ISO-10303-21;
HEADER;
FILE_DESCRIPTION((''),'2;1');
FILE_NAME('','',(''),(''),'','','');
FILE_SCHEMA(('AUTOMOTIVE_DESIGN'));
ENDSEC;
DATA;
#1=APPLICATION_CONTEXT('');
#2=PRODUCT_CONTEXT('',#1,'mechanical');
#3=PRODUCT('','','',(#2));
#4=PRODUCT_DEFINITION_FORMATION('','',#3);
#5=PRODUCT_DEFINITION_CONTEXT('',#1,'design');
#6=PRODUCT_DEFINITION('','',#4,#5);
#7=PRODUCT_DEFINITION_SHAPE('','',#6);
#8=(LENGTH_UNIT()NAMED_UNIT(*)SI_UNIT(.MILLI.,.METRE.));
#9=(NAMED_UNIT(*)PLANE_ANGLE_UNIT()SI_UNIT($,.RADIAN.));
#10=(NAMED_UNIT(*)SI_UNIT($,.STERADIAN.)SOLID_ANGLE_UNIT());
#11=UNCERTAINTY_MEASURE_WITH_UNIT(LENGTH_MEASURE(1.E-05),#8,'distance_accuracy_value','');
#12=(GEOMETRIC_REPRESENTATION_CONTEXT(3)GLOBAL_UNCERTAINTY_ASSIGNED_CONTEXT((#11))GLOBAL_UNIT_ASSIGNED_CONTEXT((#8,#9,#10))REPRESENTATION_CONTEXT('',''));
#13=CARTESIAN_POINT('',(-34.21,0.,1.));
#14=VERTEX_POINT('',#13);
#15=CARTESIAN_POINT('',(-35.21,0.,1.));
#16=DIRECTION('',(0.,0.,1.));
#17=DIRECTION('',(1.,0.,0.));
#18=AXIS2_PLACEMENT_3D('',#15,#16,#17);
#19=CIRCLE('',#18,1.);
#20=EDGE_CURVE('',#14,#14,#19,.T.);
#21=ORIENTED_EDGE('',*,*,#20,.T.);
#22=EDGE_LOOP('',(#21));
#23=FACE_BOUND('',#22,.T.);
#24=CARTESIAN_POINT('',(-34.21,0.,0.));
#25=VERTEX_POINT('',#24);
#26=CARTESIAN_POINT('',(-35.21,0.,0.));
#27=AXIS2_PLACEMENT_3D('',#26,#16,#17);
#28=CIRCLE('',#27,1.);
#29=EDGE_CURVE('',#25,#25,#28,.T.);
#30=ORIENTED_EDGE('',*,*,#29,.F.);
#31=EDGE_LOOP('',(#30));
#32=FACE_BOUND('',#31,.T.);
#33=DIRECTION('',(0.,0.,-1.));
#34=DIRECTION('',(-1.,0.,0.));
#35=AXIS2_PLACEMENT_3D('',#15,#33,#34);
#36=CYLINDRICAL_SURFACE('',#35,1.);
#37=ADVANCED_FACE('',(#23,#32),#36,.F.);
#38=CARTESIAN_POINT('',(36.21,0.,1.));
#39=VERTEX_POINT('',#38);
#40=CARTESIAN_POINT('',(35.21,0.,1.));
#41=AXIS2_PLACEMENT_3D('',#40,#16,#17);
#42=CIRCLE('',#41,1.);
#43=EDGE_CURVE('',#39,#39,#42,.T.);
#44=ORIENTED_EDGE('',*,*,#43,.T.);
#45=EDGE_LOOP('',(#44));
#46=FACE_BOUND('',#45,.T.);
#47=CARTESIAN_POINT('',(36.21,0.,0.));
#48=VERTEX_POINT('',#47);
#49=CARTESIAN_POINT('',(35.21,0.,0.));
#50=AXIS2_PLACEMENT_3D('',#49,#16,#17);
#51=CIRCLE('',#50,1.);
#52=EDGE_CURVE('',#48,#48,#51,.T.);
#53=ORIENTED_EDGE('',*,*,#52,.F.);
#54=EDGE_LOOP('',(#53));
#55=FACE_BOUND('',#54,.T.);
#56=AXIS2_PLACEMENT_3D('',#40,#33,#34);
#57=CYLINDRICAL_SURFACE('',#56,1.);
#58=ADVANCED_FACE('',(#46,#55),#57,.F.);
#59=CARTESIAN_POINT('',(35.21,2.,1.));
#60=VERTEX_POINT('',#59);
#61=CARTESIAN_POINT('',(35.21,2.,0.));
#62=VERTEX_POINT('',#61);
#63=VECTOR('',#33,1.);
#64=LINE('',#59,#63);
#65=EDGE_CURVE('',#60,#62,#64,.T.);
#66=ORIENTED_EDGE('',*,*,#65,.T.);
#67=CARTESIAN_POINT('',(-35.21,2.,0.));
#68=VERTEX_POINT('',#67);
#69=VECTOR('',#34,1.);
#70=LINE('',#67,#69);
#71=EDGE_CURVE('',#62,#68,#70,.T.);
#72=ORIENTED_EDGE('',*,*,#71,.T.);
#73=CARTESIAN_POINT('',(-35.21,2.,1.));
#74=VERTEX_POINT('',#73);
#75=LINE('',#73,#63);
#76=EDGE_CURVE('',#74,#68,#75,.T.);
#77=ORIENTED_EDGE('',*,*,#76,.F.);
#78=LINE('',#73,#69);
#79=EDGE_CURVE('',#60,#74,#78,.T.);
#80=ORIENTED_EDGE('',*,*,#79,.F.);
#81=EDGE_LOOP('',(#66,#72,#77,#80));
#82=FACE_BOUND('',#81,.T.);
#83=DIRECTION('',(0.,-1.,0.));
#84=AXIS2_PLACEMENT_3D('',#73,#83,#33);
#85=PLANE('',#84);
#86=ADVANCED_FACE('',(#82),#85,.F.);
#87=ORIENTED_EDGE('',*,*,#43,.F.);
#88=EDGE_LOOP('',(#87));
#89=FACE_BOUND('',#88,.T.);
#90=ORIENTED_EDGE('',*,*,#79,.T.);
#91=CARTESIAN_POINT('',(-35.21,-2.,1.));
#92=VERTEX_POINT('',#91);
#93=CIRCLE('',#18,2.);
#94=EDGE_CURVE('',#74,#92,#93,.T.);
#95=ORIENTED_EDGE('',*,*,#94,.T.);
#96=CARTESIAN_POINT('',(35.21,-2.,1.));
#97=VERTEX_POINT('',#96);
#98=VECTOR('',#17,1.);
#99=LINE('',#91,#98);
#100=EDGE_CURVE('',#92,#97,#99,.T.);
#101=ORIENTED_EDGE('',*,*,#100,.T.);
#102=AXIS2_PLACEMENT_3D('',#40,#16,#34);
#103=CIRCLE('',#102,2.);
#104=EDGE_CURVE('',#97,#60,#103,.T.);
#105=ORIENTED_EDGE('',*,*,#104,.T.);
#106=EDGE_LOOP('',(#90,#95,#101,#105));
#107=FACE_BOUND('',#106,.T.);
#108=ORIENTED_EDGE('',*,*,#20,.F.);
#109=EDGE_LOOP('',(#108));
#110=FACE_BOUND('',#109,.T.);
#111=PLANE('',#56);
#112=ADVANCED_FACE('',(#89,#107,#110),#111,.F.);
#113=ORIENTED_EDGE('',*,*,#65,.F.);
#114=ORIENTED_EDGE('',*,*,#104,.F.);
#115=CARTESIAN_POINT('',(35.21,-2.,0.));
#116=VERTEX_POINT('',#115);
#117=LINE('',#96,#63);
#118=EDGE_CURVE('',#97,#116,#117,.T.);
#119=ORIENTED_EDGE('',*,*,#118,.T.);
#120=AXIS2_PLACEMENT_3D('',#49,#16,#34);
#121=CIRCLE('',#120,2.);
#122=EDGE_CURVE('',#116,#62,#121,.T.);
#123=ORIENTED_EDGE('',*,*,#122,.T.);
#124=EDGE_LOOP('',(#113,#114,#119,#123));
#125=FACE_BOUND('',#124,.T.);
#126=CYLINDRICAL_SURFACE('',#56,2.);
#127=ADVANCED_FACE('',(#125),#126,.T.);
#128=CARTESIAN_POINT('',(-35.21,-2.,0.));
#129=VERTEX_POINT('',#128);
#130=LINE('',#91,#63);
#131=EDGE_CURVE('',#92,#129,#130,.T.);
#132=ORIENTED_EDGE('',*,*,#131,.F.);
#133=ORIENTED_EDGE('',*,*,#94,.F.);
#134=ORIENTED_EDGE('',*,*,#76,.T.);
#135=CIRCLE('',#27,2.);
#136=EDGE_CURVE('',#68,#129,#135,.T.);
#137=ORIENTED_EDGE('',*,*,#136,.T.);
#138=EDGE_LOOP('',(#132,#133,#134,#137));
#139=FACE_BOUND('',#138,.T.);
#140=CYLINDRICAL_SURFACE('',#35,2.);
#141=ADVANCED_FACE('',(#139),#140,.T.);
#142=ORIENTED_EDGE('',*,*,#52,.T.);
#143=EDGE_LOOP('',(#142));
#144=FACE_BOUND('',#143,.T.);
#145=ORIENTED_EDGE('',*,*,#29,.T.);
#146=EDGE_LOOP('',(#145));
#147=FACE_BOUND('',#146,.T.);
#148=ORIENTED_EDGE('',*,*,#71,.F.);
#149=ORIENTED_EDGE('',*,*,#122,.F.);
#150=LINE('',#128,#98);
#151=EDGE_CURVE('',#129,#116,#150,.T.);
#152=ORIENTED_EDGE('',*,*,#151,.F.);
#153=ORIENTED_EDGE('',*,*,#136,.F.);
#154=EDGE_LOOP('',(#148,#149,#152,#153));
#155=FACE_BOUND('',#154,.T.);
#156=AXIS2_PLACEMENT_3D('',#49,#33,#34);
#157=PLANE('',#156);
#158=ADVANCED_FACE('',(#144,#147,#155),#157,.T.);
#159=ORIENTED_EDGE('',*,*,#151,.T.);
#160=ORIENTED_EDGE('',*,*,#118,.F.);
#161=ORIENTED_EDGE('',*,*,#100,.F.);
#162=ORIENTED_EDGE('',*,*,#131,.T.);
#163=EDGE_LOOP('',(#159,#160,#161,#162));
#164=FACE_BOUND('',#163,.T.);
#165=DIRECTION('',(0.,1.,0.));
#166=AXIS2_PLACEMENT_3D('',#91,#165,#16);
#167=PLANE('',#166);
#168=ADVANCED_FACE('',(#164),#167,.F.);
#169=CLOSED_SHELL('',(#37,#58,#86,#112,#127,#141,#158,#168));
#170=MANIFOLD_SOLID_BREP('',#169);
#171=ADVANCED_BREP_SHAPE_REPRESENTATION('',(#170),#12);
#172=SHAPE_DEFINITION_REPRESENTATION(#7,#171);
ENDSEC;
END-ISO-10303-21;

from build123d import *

# Parameters (mm, degrees)
ESBO_O1_R                = 1
RESSALTO_EXTRUS_O1_DEPTH = 1


with BuildPart() as part:
    # Esboço1 → Ressalto-extrusão1 (new body)
    with BuildSketch(Plane.XY):
        with BuildLine():
            Line((-35.21, 2), (35.21, 2))
            ThreePointArc((35.21, 2), (37.21, 0), (35.21, -2))
            Line((35.21, -2), (-35.21, -2))
            ThreePointArc((-35.21, -2), (-37.21, 0), (-35.21, 2))
        make_face()
        with Locations((-35.21, 0)):
            Circle(ESBO_O1_R, mode=Mode.SUBTRACT)
        with Locations((35.21, 0)):
            Circle(ESBO_O1_R, mode=Mode.SUBTRACT)
    extrude(amount=RESSALTO_EXTRUS_O1_DEPTH)


solid = part.part
